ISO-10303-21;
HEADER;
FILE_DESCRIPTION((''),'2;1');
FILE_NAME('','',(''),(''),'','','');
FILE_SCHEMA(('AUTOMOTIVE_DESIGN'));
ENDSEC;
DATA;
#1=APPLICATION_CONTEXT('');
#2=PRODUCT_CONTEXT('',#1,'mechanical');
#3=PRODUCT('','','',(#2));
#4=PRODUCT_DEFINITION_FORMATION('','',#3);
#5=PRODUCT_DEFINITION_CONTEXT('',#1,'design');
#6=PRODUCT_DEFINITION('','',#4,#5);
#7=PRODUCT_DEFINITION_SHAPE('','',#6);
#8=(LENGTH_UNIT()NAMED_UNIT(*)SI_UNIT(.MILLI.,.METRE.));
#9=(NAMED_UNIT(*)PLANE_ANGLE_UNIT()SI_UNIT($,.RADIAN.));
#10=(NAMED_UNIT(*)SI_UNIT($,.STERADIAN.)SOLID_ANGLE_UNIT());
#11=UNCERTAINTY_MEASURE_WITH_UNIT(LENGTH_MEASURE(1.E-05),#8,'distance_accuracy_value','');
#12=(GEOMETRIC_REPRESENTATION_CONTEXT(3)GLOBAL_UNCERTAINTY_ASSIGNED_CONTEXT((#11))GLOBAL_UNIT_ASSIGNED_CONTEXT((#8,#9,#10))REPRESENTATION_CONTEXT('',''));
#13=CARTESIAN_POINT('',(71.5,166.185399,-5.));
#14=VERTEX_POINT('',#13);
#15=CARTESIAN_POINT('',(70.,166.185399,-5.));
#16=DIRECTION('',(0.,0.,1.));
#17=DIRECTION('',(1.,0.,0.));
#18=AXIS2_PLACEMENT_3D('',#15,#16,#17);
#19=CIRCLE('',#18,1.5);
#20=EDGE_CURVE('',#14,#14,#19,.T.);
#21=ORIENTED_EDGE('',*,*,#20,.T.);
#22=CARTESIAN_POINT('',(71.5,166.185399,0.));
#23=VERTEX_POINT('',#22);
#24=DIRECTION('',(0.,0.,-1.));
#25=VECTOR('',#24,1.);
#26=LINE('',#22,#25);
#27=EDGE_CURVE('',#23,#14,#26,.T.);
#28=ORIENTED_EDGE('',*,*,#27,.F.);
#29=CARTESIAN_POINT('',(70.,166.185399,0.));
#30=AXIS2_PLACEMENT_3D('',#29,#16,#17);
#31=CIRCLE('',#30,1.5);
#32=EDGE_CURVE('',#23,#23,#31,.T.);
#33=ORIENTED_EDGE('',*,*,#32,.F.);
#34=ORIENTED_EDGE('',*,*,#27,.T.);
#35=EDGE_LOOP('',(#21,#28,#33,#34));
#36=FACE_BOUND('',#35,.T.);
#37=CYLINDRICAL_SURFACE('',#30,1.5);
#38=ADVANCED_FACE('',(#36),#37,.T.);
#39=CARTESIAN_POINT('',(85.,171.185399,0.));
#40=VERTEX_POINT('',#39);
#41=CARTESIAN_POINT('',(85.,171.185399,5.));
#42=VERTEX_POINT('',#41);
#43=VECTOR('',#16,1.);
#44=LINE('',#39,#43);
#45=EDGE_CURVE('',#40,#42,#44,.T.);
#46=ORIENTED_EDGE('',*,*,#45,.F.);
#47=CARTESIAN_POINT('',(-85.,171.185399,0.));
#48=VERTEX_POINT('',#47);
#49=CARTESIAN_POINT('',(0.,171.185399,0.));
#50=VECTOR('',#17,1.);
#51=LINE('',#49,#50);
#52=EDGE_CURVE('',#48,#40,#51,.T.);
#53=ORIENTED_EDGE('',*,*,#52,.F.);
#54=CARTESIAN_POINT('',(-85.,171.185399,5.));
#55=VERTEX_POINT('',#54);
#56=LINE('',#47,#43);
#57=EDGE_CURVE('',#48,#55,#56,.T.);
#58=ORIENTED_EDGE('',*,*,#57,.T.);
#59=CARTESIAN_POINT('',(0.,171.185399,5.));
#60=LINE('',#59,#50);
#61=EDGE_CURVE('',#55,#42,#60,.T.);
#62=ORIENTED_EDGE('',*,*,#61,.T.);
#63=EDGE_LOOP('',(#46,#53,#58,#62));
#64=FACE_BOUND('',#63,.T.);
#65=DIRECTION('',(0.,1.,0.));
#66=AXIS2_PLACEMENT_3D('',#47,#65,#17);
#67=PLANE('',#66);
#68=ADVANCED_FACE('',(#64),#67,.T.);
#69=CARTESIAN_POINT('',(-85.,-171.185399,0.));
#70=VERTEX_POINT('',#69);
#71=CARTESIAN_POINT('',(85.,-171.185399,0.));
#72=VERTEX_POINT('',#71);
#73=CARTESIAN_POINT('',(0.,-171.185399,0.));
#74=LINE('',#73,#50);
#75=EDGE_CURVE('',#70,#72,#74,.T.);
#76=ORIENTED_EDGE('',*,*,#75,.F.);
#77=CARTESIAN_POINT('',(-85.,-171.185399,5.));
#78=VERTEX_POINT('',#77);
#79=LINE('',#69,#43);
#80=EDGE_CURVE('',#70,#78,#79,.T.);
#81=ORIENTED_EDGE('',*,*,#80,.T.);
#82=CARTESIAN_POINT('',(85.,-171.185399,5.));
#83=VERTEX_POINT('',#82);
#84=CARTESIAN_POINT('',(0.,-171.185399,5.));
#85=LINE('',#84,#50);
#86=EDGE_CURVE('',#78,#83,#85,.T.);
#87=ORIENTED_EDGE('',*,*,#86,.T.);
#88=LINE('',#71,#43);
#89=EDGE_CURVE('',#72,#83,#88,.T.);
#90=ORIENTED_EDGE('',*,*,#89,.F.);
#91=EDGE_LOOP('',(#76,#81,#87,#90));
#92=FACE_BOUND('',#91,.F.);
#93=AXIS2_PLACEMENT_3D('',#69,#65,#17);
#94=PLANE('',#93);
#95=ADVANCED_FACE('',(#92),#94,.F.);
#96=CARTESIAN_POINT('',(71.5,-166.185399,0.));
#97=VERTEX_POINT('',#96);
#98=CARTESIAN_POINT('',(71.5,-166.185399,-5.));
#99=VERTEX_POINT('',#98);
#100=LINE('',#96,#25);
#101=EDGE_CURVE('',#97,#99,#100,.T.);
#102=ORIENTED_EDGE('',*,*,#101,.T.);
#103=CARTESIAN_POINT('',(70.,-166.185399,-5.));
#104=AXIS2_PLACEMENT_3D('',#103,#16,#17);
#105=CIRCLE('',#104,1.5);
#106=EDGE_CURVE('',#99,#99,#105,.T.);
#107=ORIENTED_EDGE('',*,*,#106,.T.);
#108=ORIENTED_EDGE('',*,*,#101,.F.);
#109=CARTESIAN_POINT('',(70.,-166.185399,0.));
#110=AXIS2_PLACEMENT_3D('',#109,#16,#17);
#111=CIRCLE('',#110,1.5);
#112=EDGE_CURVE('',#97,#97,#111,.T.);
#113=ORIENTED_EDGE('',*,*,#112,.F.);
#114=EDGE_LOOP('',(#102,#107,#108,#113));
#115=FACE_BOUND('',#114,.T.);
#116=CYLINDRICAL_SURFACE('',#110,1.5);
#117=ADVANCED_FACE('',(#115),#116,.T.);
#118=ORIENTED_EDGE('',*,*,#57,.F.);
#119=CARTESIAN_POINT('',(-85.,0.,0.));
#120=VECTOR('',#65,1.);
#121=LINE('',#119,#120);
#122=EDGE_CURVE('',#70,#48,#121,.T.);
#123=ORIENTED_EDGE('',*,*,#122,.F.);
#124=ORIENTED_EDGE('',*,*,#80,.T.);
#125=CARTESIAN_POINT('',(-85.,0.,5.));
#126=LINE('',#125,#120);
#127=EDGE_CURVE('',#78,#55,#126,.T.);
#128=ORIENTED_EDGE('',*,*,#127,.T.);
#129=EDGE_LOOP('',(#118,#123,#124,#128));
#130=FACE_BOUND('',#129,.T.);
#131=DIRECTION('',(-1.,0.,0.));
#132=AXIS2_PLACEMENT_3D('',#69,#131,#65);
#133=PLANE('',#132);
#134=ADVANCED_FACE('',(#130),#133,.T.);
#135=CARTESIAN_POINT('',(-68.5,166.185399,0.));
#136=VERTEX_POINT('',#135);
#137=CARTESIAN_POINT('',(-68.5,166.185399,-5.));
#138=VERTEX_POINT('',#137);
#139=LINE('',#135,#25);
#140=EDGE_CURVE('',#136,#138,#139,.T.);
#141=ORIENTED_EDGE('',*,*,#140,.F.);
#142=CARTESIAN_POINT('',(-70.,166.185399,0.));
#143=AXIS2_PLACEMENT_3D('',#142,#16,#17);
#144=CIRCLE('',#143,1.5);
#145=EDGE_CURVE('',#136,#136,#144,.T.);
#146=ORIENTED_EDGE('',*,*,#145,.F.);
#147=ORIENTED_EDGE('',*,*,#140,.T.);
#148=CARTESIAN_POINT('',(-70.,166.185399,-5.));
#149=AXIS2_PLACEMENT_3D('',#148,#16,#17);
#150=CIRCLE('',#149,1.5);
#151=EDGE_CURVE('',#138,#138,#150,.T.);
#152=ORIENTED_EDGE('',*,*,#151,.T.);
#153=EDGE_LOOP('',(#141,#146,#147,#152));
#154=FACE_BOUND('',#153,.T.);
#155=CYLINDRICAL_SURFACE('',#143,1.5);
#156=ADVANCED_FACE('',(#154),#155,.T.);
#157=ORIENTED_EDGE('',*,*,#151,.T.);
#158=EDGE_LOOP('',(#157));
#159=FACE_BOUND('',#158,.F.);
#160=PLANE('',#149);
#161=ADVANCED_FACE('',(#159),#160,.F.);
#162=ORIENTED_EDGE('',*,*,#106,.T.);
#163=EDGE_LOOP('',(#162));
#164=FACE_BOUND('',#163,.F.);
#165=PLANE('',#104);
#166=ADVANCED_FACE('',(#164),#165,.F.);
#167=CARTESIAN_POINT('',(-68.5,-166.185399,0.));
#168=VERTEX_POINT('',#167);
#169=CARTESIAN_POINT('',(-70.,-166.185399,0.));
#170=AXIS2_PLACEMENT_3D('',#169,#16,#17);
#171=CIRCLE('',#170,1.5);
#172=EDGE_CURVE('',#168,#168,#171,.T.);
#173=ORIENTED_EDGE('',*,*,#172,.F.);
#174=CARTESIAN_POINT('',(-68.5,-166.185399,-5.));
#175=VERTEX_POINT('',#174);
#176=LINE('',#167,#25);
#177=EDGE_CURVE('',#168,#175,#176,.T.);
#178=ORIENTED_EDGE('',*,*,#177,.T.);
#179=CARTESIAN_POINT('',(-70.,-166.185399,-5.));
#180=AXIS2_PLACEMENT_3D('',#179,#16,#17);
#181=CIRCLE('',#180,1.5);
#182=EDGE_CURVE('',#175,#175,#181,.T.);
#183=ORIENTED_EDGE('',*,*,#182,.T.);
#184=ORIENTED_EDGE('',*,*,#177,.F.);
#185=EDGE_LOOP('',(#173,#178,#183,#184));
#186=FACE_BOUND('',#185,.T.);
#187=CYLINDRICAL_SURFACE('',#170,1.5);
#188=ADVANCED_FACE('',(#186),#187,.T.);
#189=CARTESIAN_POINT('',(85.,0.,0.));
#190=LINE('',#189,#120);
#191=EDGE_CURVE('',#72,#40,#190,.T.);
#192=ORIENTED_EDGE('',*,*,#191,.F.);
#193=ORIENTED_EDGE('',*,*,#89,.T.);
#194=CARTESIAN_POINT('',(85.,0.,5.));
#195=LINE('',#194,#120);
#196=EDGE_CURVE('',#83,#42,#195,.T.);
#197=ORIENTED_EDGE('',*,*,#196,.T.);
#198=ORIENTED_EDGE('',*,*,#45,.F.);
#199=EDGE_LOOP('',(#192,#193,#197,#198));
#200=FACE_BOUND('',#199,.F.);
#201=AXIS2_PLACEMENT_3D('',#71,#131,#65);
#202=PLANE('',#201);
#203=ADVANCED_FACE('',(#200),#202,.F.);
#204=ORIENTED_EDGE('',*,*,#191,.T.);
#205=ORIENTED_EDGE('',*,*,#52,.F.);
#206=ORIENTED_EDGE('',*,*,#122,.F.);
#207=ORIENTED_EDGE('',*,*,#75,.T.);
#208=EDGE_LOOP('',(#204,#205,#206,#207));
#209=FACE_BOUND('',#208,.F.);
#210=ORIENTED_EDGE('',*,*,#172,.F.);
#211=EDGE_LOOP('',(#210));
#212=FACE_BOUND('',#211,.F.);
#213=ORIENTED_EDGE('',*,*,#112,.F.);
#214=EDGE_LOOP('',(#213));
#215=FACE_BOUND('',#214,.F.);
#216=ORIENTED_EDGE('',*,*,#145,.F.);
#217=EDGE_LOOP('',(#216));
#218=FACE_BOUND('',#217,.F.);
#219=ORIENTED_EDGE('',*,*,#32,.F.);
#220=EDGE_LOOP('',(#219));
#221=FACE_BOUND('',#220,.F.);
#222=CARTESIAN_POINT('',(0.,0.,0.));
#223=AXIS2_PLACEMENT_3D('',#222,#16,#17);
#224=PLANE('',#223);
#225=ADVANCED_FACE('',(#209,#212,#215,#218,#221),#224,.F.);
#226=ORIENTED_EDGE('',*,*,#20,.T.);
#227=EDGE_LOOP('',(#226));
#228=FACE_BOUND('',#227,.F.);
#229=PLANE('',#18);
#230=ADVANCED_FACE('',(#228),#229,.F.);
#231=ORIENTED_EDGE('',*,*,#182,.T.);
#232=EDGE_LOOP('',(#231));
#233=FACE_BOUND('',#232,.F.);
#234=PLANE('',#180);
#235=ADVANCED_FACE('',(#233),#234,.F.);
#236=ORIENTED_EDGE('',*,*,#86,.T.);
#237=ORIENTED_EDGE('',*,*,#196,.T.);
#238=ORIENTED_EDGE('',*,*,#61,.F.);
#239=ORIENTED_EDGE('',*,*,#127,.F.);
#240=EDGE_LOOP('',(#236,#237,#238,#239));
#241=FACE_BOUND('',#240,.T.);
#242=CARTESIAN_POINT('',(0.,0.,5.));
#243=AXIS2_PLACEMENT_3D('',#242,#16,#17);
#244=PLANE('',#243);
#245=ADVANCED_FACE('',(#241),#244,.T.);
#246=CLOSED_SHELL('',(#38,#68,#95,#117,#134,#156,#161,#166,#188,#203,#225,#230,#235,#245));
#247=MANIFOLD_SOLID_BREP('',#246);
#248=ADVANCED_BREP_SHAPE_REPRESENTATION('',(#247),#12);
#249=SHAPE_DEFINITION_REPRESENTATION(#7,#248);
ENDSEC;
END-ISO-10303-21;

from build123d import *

# Parameters (mm, degrees)
F0_W     = 170
F0_H     = 342.370798
F1_DEPTH = 5
F2_R     = 1.5
F3_DEPTH = 5


with BuildPart() as f1:
    # F0 (on Top) → F1 (new body)
    with BuildSketch(Plane.XY):
        Rectangle(F0_W, F0_H)
    extrude(amount=F1_DEPTH)

    # F2 (on Top) → F3 (join)
    with BuildSketch(Plane.XY):
        with Locations((70, -166.185399)):
            Circle(F2_R)
        with Locations((-70, -166.185399)):
            Circle(F2_R)
        with Locations((70, 166.185399)):
            Circle(F2_R)
        with Locations((-70, 166.185399)):
            Circle(F2_R)
    extrude(amount=-F3_DEPTH)


solid = f1.part
